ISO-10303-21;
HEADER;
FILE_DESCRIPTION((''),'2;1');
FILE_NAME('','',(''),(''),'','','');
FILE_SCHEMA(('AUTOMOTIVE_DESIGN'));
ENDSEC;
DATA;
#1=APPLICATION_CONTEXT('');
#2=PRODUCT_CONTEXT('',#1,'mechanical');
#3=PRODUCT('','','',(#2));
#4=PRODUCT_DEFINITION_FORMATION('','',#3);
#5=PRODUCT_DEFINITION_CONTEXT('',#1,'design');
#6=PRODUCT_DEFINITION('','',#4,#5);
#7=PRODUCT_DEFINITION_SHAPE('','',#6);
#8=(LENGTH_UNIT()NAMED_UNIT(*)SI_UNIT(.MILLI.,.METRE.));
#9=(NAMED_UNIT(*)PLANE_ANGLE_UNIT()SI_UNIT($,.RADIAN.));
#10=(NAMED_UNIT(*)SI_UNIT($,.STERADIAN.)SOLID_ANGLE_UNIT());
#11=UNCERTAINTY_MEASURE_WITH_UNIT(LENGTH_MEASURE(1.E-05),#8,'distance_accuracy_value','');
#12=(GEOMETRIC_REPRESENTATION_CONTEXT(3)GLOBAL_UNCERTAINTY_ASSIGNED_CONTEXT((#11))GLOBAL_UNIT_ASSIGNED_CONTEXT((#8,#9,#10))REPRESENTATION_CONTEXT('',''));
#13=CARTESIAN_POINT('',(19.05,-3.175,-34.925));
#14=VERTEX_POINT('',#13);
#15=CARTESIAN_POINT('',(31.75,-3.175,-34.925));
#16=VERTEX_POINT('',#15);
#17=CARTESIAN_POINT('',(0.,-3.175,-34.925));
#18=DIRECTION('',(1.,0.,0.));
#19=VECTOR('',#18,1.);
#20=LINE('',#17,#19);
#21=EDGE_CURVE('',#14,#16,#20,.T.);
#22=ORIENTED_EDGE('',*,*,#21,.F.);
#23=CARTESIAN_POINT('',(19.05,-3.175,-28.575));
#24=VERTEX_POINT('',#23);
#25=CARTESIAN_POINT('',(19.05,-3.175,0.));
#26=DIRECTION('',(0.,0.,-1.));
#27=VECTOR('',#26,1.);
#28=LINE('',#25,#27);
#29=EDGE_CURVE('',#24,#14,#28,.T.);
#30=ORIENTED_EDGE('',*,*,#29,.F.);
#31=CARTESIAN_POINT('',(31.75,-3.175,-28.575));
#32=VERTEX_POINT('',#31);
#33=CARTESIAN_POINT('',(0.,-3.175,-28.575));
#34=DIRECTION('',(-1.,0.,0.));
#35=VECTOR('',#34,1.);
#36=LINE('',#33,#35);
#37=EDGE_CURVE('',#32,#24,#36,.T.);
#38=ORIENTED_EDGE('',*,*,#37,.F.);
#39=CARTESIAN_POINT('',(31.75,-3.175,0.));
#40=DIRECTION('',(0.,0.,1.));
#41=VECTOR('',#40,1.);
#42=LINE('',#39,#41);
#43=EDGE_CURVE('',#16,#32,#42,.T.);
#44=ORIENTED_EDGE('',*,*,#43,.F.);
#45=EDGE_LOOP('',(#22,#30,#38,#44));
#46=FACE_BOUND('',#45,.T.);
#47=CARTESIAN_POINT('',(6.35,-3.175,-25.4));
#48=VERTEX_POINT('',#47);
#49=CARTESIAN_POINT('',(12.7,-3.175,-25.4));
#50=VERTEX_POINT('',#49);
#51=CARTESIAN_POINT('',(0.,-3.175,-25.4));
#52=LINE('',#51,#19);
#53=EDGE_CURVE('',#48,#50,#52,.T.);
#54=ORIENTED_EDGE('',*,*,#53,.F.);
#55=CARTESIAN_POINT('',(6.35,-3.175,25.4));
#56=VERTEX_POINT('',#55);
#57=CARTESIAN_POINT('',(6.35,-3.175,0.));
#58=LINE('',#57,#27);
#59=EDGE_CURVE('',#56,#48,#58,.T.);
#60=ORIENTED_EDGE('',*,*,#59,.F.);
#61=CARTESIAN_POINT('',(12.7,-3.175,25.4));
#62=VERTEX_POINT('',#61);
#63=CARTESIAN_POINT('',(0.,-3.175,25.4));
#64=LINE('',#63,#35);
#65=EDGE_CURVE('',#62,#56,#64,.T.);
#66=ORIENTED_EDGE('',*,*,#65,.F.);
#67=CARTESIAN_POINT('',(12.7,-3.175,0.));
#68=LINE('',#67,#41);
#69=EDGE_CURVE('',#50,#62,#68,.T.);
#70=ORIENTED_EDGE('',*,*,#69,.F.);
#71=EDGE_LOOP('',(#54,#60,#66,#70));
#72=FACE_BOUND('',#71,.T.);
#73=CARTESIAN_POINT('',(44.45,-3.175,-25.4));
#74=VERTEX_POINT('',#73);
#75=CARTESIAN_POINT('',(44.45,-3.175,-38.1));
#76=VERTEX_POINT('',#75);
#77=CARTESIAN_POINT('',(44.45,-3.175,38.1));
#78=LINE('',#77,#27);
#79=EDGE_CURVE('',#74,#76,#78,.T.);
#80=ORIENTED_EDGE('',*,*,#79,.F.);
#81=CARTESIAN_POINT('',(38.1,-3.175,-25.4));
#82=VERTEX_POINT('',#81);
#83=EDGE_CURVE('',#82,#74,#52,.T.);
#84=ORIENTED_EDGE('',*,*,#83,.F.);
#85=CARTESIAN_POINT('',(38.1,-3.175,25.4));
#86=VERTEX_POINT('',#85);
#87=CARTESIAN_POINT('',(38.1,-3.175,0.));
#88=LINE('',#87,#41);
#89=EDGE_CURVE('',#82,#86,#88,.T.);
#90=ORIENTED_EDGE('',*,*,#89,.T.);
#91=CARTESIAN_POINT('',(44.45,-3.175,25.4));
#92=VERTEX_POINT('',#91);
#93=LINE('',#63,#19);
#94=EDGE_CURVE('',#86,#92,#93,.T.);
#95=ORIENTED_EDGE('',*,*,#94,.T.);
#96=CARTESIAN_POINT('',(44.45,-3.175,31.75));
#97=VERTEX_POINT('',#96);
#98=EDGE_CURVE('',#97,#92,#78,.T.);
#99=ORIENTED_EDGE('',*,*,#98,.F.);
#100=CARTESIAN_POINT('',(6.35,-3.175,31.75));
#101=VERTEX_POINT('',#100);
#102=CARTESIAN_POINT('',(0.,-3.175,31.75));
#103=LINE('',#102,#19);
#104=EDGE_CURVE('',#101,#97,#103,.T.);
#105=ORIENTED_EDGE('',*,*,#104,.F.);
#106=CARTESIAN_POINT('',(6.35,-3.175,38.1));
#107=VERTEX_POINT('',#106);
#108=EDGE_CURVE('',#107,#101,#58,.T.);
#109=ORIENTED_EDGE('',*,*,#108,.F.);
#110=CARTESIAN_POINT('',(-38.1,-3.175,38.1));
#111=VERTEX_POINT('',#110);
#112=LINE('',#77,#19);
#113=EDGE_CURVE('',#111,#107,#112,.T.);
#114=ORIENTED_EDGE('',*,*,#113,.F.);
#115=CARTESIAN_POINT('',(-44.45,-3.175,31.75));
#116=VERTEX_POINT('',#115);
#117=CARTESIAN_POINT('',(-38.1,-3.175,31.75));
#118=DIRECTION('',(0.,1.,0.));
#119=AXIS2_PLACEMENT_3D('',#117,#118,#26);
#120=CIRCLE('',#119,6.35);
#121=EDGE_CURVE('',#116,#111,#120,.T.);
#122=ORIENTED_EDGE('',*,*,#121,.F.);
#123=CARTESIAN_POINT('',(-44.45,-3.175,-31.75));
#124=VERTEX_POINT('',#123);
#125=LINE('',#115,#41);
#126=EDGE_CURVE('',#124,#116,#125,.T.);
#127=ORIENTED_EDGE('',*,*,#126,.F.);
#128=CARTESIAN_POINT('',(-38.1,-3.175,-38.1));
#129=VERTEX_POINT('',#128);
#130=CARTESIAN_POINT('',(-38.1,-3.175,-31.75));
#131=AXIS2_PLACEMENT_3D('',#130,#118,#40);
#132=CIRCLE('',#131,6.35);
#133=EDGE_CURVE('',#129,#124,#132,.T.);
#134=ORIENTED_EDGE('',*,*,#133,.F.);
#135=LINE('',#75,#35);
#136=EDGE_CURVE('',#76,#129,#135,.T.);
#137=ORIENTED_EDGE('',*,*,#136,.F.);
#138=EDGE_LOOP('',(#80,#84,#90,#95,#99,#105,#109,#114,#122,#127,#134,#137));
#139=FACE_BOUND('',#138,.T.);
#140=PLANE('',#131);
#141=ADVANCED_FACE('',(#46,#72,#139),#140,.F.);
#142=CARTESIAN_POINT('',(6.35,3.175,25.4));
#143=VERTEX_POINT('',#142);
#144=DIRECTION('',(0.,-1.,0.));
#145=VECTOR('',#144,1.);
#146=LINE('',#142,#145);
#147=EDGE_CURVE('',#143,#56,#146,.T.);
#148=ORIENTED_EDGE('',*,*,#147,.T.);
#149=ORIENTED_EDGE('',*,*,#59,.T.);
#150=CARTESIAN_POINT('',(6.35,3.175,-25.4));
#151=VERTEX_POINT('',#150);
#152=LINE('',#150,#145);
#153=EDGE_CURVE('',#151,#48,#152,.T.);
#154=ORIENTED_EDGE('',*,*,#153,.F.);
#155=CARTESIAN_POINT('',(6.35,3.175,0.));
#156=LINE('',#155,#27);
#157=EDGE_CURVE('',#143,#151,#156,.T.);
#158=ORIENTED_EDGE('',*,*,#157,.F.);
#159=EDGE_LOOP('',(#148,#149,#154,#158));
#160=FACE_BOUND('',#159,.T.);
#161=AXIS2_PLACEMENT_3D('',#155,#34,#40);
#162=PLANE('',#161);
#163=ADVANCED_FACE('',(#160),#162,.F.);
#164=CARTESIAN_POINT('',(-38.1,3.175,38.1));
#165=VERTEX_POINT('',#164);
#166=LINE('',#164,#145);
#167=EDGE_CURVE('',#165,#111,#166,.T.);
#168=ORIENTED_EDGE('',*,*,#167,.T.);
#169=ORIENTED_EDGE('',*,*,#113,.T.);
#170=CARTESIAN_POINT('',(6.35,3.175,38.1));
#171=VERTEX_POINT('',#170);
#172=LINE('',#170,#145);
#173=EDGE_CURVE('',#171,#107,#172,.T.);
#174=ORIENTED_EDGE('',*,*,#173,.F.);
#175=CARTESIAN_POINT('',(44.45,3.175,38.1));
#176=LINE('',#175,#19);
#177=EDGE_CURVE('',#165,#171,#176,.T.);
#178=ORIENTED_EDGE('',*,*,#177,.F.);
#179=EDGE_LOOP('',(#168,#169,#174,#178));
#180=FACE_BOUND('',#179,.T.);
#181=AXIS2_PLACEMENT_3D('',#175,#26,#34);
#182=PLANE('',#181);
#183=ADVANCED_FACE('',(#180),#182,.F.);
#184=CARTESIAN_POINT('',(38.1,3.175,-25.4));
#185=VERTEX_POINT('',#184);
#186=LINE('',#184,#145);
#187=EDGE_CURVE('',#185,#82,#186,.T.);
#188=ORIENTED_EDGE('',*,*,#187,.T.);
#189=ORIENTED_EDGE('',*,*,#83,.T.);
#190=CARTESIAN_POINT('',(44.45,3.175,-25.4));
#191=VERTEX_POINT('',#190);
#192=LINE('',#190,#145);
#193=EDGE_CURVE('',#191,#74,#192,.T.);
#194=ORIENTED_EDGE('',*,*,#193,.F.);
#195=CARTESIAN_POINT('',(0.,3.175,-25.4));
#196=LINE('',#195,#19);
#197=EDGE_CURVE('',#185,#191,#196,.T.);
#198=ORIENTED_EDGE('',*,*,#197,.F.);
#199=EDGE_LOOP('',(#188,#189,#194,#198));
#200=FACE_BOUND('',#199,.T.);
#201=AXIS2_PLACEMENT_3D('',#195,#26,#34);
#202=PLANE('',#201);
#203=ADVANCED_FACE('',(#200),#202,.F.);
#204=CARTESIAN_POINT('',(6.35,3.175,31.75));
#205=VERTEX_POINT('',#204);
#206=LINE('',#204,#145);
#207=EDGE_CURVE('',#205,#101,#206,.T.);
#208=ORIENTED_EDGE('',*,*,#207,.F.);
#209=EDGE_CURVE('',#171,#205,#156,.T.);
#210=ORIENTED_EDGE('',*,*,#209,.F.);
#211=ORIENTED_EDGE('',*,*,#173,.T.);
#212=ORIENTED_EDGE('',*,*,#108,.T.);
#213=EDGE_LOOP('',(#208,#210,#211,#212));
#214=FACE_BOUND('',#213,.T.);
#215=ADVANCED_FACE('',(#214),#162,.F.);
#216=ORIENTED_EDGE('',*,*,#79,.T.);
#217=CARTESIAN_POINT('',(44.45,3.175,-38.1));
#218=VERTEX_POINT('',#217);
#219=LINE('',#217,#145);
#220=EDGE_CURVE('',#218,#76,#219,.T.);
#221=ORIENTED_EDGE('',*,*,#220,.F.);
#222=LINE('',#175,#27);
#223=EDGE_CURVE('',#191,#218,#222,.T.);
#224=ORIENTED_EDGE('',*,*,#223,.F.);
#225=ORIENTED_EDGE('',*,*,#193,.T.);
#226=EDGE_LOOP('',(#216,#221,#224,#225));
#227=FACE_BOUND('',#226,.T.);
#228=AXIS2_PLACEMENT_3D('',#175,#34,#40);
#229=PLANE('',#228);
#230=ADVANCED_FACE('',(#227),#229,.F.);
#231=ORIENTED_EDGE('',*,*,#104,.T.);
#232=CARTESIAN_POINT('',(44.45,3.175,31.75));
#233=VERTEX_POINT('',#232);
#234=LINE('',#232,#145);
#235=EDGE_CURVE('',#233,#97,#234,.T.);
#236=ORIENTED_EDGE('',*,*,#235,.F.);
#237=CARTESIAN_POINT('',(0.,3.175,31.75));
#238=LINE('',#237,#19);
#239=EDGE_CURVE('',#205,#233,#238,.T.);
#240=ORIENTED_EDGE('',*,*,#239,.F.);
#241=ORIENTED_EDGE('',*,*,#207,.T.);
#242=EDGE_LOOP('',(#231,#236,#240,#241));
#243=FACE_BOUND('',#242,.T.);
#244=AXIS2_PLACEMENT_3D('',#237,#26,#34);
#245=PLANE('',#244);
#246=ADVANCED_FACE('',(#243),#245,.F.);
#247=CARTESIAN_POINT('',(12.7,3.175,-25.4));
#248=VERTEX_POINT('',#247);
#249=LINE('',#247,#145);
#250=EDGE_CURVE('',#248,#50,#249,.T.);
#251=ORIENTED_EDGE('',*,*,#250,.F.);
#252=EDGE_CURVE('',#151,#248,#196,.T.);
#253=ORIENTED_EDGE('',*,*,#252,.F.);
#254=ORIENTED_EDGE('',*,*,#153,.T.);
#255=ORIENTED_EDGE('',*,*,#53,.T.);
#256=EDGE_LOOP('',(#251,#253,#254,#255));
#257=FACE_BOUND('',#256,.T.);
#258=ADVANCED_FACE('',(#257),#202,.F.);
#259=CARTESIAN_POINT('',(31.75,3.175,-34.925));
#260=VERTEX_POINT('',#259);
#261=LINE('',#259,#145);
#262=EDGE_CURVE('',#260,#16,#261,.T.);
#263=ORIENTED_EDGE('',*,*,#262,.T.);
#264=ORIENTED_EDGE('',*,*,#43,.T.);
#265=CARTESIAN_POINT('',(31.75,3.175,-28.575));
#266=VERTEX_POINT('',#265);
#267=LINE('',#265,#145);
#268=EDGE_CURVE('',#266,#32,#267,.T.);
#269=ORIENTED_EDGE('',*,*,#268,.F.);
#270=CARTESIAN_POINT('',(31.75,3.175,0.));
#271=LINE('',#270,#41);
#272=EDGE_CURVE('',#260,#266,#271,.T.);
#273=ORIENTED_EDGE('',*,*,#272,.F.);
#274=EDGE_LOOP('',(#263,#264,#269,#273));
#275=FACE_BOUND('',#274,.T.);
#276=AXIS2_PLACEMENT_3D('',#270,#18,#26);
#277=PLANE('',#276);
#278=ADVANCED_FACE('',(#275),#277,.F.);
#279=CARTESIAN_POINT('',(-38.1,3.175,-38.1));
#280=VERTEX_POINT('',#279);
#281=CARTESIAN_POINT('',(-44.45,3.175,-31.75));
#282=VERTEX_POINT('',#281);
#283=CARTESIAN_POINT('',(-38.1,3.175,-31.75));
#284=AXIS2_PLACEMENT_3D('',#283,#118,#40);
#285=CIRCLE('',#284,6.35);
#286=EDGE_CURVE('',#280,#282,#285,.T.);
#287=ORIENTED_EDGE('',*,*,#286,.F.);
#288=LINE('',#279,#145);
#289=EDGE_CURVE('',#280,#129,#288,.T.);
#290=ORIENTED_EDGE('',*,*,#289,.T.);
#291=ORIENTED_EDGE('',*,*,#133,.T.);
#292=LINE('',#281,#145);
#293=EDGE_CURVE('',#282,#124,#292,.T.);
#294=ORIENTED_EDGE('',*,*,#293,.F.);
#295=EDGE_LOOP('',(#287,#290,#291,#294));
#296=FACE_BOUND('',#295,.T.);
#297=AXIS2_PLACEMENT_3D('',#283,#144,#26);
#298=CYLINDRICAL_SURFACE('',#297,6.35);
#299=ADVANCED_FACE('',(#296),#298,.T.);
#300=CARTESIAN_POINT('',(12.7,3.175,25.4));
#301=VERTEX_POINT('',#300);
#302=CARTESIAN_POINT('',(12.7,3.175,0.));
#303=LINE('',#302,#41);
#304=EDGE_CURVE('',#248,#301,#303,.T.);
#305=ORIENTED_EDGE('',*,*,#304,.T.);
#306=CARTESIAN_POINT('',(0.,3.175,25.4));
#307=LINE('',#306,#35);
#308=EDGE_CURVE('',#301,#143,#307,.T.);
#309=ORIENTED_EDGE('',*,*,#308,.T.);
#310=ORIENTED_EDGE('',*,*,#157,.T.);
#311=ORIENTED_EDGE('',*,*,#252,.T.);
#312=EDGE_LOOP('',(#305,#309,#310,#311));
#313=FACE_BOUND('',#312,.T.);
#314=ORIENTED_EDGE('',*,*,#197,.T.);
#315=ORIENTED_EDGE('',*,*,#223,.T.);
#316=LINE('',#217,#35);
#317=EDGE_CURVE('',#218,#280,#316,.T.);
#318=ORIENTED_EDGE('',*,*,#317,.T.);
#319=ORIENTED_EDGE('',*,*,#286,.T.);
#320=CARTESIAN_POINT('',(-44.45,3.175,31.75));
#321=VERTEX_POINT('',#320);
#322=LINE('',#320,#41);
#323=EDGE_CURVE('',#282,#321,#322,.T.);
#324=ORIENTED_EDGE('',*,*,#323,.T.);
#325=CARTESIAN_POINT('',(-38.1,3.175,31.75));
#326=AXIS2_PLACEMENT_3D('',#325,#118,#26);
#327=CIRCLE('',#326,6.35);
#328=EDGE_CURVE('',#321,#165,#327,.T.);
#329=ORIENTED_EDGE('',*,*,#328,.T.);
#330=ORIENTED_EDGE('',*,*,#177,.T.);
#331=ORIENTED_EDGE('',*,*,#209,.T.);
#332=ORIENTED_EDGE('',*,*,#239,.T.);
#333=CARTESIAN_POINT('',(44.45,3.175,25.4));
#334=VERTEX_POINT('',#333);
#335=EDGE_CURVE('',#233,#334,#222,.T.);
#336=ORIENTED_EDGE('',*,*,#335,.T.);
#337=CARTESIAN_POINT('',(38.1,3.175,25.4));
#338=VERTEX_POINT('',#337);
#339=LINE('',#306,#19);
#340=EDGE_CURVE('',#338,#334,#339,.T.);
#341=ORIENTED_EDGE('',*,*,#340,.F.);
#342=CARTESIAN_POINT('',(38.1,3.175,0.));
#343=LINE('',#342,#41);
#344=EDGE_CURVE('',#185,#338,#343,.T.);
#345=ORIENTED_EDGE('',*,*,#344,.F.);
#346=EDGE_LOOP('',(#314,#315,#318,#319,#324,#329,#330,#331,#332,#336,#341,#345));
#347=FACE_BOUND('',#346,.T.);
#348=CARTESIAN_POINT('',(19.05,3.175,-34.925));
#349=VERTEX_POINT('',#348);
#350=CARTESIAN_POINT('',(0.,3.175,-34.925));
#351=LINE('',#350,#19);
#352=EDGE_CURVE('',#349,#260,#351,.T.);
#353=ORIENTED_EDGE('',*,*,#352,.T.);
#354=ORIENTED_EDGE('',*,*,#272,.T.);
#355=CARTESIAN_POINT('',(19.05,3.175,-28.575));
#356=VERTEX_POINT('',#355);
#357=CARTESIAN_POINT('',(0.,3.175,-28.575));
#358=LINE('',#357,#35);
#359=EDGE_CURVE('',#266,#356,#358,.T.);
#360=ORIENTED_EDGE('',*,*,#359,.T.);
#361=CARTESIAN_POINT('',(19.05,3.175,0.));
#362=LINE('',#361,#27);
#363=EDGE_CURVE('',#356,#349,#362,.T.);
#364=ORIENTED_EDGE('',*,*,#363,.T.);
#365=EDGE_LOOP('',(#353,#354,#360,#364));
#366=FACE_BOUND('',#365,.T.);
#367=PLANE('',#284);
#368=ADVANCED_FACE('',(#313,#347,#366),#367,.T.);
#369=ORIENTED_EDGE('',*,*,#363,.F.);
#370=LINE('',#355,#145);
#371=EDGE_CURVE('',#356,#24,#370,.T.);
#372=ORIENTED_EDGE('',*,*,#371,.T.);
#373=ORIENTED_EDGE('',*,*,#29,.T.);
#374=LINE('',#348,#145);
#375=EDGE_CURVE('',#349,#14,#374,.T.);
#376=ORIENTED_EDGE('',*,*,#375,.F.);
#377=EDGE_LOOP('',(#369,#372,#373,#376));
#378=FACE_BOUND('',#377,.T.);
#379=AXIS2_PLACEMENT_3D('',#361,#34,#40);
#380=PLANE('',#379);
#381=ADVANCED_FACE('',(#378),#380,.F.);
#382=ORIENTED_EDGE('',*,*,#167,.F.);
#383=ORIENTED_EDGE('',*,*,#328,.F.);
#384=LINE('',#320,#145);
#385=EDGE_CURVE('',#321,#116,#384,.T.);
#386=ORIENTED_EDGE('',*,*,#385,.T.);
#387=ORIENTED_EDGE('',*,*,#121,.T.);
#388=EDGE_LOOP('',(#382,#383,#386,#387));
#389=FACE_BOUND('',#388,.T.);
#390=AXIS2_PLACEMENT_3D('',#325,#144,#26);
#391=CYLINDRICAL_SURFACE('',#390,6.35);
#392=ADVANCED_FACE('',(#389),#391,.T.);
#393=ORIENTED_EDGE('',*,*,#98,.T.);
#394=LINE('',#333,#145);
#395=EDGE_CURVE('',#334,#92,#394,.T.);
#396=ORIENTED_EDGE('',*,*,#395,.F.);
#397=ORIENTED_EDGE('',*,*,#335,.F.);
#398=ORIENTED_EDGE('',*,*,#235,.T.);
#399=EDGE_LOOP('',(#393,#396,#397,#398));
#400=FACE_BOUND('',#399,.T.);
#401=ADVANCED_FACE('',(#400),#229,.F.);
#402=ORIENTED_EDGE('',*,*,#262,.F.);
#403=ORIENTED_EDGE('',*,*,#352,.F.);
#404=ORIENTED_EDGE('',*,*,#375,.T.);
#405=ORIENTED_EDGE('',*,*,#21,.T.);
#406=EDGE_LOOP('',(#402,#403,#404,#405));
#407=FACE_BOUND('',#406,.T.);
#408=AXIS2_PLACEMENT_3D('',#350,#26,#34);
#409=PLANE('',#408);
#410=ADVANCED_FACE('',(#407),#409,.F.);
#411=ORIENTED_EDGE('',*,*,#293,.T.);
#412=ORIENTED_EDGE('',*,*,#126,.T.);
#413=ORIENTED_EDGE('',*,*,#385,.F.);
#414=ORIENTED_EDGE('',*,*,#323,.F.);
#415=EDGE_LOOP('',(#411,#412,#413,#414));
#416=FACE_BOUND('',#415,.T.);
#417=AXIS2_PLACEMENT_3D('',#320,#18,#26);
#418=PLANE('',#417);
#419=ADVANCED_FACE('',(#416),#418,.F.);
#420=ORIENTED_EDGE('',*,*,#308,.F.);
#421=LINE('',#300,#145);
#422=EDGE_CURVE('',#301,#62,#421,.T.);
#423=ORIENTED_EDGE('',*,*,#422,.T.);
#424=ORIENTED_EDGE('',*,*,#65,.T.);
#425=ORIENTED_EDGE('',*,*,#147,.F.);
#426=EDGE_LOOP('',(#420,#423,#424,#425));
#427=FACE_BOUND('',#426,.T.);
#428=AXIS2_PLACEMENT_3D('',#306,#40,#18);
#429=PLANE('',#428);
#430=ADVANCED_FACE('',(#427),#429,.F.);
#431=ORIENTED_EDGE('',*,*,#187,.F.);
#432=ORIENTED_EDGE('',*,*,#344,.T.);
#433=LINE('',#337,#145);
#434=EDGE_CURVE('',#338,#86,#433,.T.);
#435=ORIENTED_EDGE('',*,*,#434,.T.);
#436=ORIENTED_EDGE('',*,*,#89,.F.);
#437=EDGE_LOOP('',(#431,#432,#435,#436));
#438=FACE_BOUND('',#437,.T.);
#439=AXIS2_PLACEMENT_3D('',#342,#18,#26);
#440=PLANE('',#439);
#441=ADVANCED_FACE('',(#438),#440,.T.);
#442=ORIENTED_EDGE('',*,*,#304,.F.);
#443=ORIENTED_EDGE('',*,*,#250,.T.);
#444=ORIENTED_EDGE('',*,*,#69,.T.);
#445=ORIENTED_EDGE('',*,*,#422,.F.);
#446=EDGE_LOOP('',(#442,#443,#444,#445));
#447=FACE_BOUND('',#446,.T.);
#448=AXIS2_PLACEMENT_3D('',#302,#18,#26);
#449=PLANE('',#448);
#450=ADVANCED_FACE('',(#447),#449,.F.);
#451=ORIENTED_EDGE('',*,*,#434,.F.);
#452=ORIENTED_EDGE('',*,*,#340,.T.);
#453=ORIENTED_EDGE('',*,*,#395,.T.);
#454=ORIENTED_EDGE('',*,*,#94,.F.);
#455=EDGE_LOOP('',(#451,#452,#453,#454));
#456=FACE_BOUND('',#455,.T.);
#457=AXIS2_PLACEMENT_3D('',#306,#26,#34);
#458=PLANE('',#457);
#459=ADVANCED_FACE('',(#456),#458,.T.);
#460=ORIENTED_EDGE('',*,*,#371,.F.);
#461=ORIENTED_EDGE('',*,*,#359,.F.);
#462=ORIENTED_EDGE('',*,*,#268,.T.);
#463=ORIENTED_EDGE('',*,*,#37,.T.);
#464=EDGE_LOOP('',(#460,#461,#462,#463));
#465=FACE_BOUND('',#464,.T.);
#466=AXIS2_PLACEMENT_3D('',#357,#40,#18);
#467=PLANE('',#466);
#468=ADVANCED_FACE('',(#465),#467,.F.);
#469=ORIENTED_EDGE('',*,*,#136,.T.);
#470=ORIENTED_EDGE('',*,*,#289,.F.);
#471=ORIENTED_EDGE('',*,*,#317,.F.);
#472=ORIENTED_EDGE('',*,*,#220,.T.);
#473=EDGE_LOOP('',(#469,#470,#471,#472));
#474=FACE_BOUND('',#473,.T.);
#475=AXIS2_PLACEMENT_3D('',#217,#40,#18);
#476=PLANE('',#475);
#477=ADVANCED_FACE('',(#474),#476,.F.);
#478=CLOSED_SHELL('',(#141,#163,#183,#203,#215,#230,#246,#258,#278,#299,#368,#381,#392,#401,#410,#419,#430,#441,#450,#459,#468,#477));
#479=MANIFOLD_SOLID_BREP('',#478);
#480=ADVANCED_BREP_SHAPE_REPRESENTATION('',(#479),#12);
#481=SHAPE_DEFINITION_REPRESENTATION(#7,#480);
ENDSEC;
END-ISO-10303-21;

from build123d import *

# Parameters (mm, degrees)
BOSS_EXTRUDE1_DEPTH = 3.175
SKETCH2_W           = 6.35
SKETCH2_H           = 50.8
SKETCH2_W_2         = 38.1
SKETCH2_H_2         = 6.35
SKETCH2_W_3         = 12.7
CUT_EXTRUDE1_DEPTH  = 59.887477446


with BuildPart() as part:
    # Sketch1 → Boss-Extrude1 (new, symmetric)
    with BuildSketch(Plane(origin=(0, 0, 0), x_dir=(1, 0, 0), z_dir=(0, 1, 0))):
        with BuildLine():
            Line((44.45, -38.1), (-38.1, -38.1))
            ThreePointArc((-38.1, -38.1), (-42.590128061, -36.240128061), (-44.45, -31.75))
            Line((-44.45, -31.75), (-44.45, 31.75))
            ThreePointArc((-44.45, 31.75), (-42.590128061, 36.240128061), (-38.1, 38.1))
            Line((-38.1, 38.1), (44.45, 38.1))
            Line((44.45, 38.1), (44.45, -38.1))
        make_face()
    extrude(amount=BOSS_EXTRUDE1_DEPTH, both=True)

    # Sketch2 → Cut-Extrude1 (cut, through all)
    with BuildSketch(Plane.XZ.offset(3.175)):
        with Locations((41.275, 0)):
            Rectangle(SKETCH2_W, SKETCH2_H)
        with Locations((25.4, 34.925)):
            Rectangle(SKETCH2_W_2, SKETCH2_H_2)
        with Locations((9.525, 0)):
            Rectangle(SKETCH2_W, SKETCH2_H)
        with Locations((25.4, -31.75)):
            Rectangle(SKETCH2_W_3, SKETCH2_H_2)
    extrude(amount=-CUT_EXTRUDE1_DEPTH, mode=Mode.SUBTRACT)


solid = part.part
